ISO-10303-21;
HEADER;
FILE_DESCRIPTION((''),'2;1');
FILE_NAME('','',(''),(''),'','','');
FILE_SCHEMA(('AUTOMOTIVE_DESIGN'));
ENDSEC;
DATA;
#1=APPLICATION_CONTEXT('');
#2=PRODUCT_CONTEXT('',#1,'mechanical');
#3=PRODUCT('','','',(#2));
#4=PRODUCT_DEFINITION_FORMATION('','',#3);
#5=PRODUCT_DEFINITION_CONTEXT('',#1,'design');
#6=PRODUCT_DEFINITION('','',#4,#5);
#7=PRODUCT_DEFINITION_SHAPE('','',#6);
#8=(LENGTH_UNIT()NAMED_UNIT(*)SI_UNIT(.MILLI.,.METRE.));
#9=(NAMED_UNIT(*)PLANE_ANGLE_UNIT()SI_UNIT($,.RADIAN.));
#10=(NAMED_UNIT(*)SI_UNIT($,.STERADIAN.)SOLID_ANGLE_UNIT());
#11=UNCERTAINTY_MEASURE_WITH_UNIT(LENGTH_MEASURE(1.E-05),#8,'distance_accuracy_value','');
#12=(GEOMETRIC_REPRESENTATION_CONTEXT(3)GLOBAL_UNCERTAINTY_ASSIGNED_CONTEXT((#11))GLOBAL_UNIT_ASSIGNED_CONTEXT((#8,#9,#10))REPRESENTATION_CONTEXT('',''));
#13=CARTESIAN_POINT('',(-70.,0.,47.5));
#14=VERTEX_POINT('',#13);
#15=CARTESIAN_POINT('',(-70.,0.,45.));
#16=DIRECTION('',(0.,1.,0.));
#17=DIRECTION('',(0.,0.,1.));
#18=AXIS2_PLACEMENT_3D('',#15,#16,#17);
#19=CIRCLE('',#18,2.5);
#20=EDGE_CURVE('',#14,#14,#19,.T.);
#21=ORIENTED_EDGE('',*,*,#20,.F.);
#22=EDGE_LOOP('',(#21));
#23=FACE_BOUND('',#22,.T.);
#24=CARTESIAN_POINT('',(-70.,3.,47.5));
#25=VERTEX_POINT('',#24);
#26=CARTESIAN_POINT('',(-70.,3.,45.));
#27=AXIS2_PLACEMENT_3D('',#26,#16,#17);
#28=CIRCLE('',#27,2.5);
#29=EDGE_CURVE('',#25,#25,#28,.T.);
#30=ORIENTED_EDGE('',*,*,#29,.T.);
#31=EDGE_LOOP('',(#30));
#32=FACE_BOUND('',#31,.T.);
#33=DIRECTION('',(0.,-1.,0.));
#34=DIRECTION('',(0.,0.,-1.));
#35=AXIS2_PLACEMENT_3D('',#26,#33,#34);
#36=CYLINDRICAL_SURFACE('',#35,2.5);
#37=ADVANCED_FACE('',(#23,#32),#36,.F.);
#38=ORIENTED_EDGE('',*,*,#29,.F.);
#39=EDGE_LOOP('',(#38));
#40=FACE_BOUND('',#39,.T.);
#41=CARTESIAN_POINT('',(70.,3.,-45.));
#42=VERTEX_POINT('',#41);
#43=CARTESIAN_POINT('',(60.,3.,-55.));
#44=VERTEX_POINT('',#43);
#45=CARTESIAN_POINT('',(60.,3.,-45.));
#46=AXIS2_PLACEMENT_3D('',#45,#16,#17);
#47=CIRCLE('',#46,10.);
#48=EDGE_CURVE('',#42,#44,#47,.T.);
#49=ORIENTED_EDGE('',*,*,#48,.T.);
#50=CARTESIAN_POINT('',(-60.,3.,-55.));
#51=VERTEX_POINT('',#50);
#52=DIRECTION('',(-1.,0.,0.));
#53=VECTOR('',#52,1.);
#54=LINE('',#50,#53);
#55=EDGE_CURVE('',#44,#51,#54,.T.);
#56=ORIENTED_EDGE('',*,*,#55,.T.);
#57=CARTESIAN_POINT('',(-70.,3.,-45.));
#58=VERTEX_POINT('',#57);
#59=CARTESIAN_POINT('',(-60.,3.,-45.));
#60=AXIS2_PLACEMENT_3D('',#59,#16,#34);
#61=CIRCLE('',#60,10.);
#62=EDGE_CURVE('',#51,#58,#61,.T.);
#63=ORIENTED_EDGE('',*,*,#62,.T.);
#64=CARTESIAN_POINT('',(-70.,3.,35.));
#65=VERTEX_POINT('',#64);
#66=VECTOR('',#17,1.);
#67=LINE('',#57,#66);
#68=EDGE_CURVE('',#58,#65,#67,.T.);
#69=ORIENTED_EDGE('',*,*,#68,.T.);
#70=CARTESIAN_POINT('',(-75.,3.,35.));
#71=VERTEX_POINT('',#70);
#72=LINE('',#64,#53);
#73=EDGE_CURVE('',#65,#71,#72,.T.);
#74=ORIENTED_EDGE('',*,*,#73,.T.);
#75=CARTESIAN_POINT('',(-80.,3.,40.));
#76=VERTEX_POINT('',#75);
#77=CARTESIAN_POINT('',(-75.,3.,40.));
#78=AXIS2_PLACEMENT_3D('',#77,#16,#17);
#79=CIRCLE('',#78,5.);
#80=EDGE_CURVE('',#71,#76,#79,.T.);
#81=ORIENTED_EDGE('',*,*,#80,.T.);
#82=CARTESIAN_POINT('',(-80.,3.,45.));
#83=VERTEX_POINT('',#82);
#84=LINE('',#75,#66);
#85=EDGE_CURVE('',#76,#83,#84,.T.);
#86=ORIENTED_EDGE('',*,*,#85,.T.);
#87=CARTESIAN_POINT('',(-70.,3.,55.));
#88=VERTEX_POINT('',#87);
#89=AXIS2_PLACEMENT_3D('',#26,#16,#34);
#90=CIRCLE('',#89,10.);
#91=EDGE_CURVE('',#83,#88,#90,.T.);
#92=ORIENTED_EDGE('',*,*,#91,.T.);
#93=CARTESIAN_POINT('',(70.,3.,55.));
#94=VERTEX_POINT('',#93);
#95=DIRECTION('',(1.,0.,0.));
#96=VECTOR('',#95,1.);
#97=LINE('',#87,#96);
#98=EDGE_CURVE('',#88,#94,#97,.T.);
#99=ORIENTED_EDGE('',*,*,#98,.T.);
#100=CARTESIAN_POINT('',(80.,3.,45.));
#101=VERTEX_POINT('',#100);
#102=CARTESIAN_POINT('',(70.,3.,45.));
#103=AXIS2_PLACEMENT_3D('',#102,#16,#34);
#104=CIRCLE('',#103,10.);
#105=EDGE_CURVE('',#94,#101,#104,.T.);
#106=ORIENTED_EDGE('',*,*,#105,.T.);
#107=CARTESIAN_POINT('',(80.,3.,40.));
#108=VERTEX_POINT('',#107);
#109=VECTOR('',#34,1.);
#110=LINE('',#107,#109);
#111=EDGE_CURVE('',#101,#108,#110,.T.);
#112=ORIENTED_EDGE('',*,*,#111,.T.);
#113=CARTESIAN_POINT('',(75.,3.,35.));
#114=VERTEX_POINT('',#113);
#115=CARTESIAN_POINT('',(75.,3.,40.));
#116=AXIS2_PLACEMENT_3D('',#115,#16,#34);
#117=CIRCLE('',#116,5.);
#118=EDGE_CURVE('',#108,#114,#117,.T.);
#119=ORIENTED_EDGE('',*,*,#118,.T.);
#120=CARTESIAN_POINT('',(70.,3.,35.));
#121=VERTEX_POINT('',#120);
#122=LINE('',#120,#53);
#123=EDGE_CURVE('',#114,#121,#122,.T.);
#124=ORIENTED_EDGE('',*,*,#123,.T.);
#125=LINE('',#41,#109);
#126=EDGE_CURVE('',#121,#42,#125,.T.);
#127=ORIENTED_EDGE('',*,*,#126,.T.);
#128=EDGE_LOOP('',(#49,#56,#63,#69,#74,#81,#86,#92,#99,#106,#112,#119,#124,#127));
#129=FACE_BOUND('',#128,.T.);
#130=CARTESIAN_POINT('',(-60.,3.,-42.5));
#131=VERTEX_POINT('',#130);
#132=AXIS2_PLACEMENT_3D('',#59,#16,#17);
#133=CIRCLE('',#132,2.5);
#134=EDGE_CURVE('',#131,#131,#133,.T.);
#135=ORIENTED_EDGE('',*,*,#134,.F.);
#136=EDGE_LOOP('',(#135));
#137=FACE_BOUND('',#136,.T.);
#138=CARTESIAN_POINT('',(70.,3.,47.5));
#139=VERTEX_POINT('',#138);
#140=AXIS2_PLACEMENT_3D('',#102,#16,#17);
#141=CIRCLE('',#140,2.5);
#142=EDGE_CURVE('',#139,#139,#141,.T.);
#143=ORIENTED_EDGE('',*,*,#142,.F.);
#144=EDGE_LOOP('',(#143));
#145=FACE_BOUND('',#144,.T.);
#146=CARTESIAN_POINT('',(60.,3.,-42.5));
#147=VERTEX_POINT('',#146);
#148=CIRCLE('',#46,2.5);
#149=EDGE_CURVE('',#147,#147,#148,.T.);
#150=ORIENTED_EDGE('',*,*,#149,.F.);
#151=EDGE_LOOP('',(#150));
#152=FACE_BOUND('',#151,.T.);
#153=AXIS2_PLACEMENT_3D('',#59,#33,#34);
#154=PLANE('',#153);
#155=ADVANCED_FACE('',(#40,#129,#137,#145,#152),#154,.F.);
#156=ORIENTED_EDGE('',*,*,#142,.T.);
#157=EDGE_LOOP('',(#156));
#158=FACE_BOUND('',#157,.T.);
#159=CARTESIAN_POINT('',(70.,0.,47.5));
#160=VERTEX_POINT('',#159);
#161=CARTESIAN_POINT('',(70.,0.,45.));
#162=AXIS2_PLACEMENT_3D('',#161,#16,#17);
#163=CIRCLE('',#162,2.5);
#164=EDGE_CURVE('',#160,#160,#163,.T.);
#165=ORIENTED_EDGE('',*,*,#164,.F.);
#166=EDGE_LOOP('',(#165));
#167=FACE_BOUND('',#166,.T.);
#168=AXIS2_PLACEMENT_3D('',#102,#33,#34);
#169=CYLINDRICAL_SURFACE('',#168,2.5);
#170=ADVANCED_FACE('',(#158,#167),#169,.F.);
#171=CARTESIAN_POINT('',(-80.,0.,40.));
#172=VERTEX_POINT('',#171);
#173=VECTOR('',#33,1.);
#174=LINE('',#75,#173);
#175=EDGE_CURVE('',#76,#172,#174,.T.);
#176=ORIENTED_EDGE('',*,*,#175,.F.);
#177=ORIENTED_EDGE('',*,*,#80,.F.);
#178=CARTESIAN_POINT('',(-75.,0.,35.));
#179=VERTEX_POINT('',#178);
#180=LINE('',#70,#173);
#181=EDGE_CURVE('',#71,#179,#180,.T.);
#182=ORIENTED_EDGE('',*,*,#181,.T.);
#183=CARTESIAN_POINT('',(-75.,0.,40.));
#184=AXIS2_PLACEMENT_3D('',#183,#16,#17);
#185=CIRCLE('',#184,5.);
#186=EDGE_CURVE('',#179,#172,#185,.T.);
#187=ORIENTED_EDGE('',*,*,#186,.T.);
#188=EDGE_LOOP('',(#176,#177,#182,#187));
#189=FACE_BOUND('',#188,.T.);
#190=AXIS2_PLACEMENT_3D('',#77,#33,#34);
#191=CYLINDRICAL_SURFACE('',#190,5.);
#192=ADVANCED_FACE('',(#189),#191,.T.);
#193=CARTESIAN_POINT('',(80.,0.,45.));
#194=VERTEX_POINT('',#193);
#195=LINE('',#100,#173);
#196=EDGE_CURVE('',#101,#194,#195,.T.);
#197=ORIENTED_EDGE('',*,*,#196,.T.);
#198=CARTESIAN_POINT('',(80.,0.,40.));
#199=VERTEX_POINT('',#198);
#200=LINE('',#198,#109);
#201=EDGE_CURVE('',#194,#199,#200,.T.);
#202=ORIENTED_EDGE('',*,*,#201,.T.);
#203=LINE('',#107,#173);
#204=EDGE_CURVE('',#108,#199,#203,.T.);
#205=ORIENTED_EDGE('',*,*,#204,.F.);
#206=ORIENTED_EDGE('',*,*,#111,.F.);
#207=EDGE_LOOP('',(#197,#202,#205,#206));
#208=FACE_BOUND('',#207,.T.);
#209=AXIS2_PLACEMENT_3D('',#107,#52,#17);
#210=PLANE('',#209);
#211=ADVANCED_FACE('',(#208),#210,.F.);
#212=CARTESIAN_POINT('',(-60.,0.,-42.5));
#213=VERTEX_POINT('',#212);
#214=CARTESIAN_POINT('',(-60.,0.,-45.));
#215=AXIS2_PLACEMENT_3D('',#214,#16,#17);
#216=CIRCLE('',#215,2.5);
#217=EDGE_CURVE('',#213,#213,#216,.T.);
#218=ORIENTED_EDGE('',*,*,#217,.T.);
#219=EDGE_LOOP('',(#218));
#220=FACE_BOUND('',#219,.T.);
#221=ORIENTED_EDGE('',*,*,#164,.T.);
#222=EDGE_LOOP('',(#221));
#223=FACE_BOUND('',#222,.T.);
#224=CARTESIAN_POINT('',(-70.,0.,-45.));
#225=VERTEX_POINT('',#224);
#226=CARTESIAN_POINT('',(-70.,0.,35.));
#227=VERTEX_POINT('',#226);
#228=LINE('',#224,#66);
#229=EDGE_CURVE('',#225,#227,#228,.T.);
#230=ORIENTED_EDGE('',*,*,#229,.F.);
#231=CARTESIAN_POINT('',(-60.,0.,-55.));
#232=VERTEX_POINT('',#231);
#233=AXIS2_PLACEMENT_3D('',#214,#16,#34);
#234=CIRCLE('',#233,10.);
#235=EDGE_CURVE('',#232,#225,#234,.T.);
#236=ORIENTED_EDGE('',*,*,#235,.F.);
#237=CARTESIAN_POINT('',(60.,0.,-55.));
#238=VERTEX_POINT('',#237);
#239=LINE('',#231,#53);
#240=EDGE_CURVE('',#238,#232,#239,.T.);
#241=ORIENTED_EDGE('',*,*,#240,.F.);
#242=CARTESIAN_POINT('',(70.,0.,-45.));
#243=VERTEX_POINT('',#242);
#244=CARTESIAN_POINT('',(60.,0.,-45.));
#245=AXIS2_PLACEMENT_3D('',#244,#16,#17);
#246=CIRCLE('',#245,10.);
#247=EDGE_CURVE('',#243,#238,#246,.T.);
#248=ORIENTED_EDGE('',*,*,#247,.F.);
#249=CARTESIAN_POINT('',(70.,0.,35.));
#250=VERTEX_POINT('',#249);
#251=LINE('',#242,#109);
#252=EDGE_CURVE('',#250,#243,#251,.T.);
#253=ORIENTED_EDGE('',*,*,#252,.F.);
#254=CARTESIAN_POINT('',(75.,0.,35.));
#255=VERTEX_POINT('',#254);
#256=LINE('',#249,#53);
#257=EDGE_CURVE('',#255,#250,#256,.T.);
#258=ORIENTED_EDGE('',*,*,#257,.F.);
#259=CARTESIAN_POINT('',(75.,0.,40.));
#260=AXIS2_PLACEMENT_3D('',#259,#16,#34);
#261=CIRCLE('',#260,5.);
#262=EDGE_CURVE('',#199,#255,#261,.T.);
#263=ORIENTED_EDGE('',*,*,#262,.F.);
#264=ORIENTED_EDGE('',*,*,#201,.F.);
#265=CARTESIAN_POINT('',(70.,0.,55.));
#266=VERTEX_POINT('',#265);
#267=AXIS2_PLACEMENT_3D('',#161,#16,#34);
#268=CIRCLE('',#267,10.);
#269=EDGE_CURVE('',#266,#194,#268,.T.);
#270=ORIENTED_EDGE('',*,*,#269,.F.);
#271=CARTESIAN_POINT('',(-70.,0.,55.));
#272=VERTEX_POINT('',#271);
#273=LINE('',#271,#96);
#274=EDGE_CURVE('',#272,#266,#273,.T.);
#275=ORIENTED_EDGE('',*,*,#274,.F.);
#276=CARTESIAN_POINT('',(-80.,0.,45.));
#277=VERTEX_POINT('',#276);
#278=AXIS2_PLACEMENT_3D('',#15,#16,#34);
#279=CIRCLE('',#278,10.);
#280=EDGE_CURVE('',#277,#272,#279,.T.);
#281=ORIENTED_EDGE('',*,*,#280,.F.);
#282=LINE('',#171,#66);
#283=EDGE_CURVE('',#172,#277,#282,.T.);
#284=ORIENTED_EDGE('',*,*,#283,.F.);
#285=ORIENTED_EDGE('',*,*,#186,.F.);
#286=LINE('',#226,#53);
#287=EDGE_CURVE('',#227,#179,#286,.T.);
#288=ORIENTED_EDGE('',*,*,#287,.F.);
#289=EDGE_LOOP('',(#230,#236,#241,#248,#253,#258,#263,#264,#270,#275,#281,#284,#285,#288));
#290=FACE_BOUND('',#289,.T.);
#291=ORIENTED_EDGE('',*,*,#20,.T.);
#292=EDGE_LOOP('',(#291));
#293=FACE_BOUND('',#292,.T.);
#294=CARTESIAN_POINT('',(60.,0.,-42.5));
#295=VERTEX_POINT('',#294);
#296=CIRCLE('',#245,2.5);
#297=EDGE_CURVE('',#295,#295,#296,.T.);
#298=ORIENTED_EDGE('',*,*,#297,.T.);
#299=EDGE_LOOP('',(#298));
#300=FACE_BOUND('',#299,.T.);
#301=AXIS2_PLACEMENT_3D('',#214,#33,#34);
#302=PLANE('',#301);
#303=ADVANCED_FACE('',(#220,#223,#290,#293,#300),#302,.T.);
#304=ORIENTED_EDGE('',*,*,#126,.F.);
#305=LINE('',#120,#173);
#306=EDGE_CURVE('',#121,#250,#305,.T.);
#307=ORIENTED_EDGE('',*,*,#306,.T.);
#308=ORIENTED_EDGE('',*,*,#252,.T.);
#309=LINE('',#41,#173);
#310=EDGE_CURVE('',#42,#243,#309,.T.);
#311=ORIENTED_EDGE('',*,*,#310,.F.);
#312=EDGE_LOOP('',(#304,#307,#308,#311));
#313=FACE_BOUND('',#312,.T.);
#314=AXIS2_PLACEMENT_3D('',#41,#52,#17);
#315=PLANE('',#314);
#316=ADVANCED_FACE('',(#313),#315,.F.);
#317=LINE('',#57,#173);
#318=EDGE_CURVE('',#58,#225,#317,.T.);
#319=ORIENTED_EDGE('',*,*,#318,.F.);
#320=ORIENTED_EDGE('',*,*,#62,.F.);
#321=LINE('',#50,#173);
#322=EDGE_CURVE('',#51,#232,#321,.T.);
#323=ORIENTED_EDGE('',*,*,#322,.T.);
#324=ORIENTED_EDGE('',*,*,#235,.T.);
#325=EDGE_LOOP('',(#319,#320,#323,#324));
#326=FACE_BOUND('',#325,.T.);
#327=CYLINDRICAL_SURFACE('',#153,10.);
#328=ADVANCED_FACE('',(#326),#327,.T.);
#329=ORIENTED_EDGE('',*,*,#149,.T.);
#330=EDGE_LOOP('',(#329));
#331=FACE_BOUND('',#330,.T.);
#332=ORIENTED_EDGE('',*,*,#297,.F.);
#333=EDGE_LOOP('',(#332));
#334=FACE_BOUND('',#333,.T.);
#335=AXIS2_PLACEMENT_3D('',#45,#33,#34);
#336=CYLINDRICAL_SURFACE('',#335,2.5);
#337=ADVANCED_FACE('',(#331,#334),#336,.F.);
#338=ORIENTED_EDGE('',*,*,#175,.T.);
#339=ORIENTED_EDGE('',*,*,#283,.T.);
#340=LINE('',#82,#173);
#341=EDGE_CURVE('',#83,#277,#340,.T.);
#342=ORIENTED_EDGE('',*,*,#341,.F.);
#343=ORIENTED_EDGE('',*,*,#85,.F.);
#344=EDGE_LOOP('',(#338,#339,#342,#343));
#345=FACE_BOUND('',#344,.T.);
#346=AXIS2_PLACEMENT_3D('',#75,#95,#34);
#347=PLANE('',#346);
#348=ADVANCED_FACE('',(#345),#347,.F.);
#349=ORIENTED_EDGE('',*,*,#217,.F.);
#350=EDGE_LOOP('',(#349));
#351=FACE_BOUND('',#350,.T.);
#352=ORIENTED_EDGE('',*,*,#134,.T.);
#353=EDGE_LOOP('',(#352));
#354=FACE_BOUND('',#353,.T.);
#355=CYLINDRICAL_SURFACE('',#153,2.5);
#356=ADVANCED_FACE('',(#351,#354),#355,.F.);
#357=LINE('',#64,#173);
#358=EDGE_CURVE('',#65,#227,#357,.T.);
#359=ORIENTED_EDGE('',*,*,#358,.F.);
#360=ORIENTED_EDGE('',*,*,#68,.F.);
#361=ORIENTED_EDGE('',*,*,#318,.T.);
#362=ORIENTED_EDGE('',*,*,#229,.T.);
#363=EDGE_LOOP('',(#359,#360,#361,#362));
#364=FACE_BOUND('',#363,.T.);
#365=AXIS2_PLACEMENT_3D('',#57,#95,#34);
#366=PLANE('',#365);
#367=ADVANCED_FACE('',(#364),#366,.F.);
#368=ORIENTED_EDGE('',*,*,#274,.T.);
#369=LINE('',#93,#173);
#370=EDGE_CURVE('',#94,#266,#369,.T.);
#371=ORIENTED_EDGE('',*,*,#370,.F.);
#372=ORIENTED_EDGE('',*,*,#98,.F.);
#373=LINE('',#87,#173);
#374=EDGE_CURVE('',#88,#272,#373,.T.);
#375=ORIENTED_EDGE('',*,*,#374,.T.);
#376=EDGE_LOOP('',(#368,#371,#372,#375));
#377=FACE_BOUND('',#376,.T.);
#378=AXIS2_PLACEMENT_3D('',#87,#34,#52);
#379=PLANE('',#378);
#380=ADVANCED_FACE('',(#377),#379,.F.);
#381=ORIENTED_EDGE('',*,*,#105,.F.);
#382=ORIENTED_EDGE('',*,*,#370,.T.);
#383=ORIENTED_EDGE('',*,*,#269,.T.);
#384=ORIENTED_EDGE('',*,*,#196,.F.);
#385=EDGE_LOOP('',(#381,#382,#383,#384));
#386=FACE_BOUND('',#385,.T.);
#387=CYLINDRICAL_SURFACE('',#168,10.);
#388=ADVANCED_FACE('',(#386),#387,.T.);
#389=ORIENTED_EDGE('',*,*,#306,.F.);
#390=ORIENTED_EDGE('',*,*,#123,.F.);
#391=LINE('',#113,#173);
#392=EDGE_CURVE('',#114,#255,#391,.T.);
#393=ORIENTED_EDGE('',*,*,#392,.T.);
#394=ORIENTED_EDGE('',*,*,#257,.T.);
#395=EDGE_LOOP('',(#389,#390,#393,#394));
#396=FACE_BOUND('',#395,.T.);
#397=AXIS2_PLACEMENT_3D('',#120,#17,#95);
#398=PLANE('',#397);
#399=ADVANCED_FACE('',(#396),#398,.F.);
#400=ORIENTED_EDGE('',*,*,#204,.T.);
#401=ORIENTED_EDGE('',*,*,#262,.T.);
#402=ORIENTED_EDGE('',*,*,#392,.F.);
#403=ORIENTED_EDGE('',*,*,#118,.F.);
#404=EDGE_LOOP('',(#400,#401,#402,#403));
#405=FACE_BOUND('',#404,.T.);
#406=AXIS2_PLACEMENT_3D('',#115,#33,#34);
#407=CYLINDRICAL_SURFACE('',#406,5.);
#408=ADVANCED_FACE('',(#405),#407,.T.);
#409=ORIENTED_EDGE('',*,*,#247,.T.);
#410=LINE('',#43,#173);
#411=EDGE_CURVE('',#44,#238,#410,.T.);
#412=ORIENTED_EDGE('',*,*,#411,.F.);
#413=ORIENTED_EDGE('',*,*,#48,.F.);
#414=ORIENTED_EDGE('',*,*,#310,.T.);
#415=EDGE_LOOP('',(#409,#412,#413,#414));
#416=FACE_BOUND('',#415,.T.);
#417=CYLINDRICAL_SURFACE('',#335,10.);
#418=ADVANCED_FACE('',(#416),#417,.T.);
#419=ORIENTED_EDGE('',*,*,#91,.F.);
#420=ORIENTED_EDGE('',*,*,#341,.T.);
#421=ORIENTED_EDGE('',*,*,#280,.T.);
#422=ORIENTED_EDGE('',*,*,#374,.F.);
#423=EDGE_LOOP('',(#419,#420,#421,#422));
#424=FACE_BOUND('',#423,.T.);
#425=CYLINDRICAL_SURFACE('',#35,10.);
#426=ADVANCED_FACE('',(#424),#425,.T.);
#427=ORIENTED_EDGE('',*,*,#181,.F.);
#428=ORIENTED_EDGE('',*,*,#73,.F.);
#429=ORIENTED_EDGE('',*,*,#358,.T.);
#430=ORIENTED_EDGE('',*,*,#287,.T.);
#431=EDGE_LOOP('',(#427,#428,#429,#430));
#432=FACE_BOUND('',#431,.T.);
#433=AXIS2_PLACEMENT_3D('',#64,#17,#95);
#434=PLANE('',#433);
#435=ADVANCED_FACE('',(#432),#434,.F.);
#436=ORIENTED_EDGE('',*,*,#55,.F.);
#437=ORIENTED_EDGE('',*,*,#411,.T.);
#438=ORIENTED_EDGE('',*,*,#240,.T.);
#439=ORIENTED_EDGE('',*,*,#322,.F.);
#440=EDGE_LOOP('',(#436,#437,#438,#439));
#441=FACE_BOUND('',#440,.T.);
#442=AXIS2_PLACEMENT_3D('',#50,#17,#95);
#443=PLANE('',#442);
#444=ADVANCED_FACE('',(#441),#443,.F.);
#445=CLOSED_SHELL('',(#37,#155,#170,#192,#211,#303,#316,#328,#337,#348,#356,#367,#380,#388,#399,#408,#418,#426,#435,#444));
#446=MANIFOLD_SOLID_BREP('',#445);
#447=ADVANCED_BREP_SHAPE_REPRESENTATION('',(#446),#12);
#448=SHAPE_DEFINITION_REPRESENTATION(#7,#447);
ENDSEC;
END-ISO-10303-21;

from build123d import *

# Parameters (mm, degrees)
CROQUIS1_R              = 2.5
SALIENTE_EXTRUIR1_DEPTH = 3


with BuildPart() as part:
    # Croquis1 → Saliente-Extruir1 (new body)
    with BuildSketch(Plane(origin=(0, 0, 0), x_dir=(1, 0, 0), z_dir=(0, 1, 0))):
        with BuildLine():
            Line((-60, 55), (60, 55))
            ThreePointArc((60, 55), (67.071067812, 52.071067812), (70, 45))
            Line((70, 45), (70, -35))
            Line((70, -35), (75, -35))
            ThreePointArc((75, -35), (78.535533906, -36.464466094), (80, -40))
            Line((80, -40), (80, -45))
            ThreePointArc((80, -45), (77.071067812, -52.071067812), (70, -55))
            Line((70, -55), (-70, -55))
            ThreePointArc((-70, -55), (-77.071067812, -52.071067812), (-80, -45))
            Line((-80, -45), (-80, -40))
            ThreePointArc((-80, -40), (-78.535533906, -36.464466094), (-75, -35))
            Line((-75, -35), (-70, -35))
            Line((-70, -35), (-70, 45))
            ThreePointArc((-70, 45), (-67.071067812, 52.071067812), (-60, 55))
        make_face()
        with Locations(Location((-60, 45, 0), (0, 0, 270))):
            Circle(CROQUIS1_R, mode=Mode.SUBTRACT)
        with Locations(Location((60, 45, 0), (0, 0, 270))):
            Circle(CROQUIS1_R, mode=Mode.SUBTRACT)
        with Locations(Location((-70, -45, 0), (0, 0, 270))):
            Circle(CROQUIS1_R, mode=Mode.SUBTRACT)
        with Locations(Location((70, -45, 0), (0, 0, 270))):
            Circle(CROQUIS1_R, mode=Mode.SUBTRACT)
    extrude(amount=SALIENTE_EXTRUIR1_DEPTH)


solid = part.part
